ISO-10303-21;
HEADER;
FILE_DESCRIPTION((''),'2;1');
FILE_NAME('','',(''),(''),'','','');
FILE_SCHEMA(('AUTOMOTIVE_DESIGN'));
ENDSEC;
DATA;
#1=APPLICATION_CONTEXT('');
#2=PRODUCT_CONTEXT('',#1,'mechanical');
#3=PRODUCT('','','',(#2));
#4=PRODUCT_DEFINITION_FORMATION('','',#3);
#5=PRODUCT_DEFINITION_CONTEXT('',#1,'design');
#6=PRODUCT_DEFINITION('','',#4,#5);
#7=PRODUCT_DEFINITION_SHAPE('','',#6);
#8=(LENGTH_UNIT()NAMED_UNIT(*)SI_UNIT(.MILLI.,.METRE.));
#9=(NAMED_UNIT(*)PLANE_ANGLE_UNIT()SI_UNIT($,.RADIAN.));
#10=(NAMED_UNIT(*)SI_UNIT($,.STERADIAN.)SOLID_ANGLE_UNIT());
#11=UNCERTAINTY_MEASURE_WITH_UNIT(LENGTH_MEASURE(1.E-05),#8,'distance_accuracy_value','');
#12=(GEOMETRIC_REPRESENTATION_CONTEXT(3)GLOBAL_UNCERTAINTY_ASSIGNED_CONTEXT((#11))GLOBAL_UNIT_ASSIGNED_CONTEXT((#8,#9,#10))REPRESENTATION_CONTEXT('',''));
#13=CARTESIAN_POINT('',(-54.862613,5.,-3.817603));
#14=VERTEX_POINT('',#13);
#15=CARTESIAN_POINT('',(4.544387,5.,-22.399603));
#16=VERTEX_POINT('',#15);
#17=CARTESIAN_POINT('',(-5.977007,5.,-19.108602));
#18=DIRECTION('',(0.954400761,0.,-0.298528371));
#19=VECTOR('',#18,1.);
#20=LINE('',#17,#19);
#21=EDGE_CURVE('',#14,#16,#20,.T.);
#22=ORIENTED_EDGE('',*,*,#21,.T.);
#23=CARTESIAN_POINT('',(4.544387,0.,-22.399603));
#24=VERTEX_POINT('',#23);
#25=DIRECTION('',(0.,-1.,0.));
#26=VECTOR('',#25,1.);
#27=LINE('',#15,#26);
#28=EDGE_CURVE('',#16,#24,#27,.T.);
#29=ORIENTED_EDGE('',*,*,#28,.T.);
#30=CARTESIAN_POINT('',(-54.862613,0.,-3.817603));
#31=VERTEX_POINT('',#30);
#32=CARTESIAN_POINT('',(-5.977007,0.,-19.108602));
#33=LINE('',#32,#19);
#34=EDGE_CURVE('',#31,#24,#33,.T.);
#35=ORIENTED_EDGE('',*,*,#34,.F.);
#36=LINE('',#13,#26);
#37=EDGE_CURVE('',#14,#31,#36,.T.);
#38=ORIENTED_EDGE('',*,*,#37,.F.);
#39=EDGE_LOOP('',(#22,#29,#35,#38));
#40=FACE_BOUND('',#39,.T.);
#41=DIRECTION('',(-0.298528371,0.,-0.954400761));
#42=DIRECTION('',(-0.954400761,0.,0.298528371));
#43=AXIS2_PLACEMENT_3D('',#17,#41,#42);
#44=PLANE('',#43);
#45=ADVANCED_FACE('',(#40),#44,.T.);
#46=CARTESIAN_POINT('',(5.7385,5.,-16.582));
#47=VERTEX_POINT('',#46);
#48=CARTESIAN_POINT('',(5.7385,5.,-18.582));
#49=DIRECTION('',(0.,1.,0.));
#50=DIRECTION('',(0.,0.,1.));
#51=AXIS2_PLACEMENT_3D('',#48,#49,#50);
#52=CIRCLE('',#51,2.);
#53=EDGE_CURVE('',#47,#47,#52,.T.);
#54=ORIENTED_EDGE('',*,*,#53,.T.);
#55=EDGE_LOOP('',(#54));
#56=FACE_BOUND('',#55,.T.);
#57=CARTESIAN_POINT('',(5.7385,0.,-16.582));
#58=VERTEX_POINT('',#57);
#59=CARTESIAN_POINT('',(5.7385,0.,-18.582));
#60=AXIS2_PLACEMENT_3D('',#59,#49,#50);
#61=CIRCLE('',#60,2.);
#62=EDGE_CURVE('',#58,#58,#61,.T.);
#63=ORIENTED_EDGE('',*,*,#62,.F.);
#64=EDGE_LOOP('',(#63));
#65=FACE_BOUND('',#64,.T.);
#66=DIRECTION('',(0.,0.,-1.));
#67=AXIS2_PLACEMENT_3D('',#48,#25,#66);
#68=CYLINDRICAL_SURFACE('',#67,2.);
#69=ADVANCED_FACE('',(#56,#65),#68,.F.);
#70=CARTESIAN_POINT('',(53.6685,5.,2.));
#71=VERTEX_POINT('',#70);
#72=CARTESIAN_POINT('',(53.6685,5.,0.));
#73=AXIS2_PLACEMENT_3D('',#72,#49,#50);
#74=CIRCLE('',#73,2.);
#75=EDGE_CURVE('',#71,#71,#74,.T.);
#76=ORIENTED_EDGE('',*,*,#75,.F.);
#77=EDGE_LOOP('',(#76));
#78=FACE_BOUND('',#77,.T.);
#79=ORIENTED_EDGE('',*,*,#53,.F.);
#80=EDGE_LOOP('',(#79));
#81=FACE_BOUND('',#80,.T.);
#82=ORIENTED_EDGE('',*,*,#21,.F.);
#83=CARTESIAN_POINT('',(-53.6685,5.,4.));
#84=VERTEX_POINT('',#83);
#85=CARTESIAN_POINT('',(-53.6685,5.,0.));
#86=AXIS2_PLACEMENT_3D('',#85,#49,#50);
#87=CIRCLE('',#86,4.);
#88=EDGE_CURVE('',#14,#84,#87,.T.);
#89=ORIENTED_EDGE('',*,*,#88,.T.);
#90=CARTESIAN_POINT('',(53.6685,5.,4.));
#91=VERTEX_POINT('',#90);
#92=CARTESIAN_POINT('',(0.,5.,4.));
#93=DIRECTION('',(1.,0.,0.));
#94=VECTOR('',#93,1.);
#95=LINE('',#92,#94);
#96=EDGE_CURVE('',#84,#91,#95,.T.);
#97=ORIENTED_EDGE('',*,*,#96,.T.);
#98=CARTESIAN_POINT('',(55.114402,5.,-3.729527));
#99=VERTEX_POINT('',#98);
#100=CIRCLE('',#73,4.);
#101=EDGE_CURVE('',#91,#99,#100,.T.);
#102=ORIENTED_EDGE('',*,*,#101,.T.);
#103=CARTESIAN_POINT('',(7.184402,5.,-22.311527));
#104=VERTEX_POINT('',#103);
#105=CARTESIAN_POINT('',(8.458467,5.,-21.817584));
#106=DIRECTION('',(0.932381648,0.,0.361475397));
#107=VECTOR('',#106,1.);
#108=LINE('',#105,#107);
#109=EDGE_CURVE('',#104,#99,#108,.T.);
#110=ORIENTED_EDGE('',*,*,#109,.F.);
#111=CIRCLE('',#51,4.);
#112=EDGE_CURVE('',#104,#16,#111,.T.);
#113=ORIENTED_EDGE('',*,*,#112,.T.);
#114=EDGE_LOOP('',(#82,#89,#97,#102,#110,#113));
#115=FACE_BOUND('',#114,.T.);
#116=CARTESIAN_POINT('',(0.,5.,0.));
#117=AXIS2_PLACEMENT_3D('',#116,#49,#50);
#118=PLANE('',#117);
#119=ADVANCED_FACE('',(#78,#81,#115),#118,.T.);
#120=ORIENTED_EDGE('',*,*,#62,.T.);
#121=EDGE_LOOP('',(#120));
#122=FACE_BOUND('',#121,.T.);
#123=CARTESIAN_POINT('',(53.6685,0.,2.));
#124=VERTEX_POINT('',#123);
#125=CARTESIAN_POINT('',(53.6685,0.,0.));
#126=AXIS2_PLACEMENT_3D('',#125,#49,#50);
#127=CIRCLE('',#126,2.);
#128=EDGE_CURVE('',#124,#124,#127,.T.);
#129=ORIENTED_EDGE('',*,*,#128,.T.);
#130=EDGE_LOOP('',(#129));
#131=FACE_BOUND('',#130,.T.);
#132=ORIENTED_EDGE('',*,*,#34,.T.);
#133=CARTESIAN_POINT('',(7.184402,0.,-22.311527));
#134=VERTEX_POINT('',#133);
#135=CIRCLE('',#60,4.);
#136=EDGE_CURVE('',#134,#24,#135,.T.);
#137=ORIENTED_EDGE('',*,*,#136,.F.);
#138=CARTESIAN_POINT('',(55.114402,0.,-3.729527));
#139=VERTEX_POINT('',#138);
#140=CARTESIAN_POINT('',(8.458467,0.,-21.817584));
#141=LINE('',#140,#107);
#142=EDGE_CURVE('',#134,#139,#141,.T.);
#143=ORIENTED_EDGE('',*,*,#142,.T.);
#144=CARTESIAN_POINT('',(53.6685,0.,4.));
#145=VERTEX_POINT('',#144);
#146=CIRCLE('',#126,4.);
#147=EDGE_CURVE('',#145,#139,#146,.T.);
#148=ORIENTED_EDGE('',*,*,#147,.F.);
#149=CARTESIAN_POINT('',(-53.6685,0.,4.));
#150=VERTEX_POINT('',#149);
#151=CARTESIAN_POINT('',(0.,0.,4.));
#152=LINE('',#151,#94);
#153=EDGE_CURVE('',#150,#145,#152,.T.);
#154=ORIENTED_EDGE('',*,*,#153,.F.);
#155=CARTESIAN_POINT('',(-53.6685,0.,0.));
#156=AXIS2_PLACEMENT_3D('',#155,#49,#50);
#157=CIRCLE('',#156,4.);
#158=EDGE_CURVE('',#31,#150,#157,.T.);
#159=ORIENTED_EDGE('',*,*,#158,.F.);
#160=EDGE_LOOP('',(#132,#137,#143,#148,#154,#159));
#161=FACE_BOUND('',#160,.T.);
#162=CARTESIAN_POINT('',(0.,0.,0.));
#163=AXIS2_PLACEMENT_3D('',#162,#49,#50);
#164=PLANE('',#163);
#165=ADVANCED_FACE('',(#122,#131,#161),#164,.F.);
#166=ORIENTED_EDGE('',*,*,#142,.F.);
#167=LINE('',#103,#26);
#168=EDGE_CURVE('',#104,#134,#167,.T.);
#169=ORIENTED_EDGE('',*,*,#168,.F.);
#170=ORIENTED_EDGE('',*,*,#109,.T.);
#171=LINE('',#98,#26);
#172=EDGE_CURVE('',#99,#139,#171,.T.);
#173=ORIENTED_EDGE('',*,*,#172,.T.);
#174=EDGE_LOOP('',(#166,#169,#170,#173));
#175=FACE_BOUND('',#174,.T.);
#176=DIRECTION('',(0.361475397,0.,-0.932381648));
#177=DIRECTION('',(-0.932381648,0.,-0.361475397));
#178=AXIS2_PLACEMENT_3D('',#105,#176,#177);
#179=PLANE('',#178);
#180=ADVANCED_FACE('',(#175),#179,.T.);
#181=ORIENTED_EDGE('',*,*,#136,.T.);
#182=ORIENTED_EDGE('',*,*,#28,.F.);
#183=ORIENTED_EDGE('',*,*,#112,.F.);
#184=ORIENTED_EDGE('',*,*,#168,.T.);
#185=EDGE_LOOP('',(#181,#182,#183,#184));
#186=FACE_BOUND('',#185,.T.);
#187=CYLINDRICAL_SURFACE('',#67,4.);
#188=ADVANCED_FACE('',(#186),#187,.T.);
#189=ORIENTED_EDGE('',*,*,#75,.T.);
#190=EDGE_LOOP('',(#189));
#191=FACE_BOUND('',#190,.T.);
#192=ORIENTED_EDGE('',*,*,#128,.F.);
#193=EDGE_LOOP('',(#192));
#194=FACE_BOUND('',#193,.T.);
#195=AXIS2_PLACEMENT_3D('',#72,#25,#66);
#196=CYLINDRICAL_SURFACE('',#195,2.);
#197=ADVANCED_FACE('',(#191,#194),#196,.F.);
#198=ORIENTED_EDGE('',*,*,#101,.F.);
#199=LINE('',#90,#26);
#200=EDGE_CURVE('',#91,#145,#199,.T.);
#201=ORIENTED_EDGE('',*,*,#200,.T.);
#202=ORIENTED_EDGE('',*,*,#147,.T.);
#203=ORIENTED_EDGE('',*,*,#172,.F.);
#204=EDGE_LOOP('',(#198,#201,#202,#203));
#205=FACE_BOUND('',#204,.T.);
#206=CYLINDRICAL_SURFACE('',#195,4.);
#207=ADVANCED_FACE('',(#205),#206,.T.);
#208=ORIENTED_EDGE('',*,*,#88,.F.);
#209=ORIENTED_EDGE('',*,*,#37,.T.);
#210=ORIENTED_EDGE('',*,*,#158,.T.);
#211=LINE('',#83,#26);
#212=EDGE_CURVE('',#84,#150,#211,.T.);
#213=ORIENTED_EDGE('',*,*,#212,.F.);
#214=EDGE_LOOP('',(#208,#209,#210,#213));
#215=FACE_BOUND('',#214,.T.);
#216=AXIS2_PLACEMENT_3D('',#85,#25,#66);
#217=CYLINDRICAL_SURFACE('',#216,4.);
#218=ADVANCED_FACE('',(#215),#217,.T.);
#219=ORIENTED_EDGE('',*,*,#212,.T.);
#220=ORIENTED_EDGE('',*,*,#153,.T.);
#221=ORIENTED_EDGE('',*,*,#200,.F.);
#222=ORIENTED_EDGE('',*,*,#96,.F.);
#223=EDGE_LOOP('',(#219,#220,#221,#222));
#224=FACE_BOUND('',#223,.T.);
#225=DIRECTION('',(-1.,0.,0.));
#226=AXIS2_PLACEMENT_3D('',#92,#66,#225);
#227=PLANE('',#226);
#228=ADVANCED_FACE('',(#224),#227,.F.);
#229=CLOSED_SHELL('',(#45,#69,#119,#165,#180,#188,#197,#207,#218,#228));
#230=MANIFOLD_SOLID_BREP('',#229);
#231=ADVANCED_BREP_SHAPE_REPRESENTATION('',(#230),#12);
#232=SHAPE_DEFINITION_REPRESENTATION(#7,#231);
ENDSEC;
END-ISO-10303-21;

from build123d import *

# Parameters (mm, degrees)
SKETCH_1_R      = 2
EXTRUDE_1_DEPTH = 5


with BuildPart() as part:
    # 草图1 → 凸台-拉伸1 (new body)
    with BuildSketch(Plane(origin=(0, 0, 0), x_dir=(1, 0, 0), z_dir=(0, 1, 0))):
        with BuildLine():
            ThreePointArc((-53.6685, 4), (-54.272481718, 3.954137843), (-54.862613484, 3.817603042))
            ThreePointArc((-54.862613484, 3.817603042), (-57.622637843, -0.603981718), (-53.6685, -4))
            ThreePointArc((-53.6685, -4), (-53.064518282, -3.954137843), (-52.474386516, -3.817603042))
            Line((-52.474386516, -3.817603042), (-27.481364025, 4))
            Line((-27.481364025, 4), (-53.6685, 4))
        make_face()
        with Locations((-53.6685, 0)):
            Circle(SKETCH_1_R, mode=Mode.SUBTRACT)
        with BuildLine():
            Line((4.544386516, 22.399603042), (-54.862613484, 3.817603042))
            ThreePointArc((-54.862613484, 3.817603042), (-54.272481718, 3.954137843), (-53.6685, 4))
            Line((-53.6685, 4), (-27.481364025, 4))
            Line((-27.481364025, 4), (5.597201207, 14.346691453))
            Line((5.597201207, 14.346691453), (4.292598412, 14.852473408))
            ThreePointArc((4.292598412, 14.852473408), (1.740724203, 18.715374202), (4.544386516, 22.399603042))
        make_face()
        with BuildLine():
            ThreePointArc((7.184401588, 22.311526592), (5.871874202, 22.579775797), (4.544386516, 22.399603042))
            ThreePointArc((4.544386516, 22.399603042), (1.740724203, 18.715374202), (4.292598412, 14.852473408))
            Line((4.292598412, 14.852473408), (5.597201207, 14.346691453))
            Line((5.597201207, 14.346691453), (6.932613484, 14.764396958))
            ThreePointArc((6.932613484, 14.764396958), (9.736275797, 18.448625798), (7.184401588, 22.311526592))
        make_face()
        with Locations((5.7385, 18.582)):
            Circle(SKETCH_1_R, mode=Mode.SUBTRACT)
        with BuildLine():
            Line((55.114401588, 3.729526592), (7.184401588, 22.311526592))
            ThreePointArc((7.184401588, 22.311526592), (9.736275797, 18.448625798), (6.932613484, 14.764396958))
            Line((6.932613484, 14.764396958), (5.597201207, 14.346691453))
            Line((5.597201207, 14.346691453), (32.285228401, 4))
            Line((32.285228401, 4), (53.6685, 4))
            ThreePointArc((53.6685, 4), (54.403990868, 3.931800247), (55.114401588, 3.729526592))
        make_face()
        with BuildLine():
            ThreePointArc((-52.474386516, -3.817603042), (-53.064518282, -3.954137843), (-53.6685, -4))
            Line((-53.6685, -4), (53.6685, -4))
            ThreePointArc((53.6685, -4), (52.933009132, -3.931800247), (52.222598412, -3.729526592))
            Line((52.222598412, -3.729526592), (32.285228401, 4))
            Line((32.285228401, 4), (-27.481364025, 4))
            Line((-27.481364025, 4), (-52.474386516, -3.817603042))
        make_face()
        with BuildLine():
            ThreePointArc((52.222598412, -3.729526592), (52.933009132, -3.931800247), (53.6685, -4))
            ThreePointArc((53.6685, -4), (57.600300247, -0.735490868), (55.114401588, 3.729526592))
            ThreePointArc((55.114401588, 3.729526592), (54.403990868, 3.931800247), (53.6685, 4))
            Line((53.6685, 4), (32.285228401, 4))
            Line((32.285228401, 4), (52.222598412, -3.729526592))
        make_face()
        with Locations((53.6685, 0)):
            Circle(SKETCH_1_R, mode=Mode.SUBTRACT)
        Polygon((5.597201207, 14.346691453), (-27.481364025, 4), (32.285228401, 4), align=None)
        with Locations((-53.6685, 0)):
            Circle(SKETCH_1_R)
    extrude(amount=EXTRUDE_1_DEPTH)


solid = part.part
